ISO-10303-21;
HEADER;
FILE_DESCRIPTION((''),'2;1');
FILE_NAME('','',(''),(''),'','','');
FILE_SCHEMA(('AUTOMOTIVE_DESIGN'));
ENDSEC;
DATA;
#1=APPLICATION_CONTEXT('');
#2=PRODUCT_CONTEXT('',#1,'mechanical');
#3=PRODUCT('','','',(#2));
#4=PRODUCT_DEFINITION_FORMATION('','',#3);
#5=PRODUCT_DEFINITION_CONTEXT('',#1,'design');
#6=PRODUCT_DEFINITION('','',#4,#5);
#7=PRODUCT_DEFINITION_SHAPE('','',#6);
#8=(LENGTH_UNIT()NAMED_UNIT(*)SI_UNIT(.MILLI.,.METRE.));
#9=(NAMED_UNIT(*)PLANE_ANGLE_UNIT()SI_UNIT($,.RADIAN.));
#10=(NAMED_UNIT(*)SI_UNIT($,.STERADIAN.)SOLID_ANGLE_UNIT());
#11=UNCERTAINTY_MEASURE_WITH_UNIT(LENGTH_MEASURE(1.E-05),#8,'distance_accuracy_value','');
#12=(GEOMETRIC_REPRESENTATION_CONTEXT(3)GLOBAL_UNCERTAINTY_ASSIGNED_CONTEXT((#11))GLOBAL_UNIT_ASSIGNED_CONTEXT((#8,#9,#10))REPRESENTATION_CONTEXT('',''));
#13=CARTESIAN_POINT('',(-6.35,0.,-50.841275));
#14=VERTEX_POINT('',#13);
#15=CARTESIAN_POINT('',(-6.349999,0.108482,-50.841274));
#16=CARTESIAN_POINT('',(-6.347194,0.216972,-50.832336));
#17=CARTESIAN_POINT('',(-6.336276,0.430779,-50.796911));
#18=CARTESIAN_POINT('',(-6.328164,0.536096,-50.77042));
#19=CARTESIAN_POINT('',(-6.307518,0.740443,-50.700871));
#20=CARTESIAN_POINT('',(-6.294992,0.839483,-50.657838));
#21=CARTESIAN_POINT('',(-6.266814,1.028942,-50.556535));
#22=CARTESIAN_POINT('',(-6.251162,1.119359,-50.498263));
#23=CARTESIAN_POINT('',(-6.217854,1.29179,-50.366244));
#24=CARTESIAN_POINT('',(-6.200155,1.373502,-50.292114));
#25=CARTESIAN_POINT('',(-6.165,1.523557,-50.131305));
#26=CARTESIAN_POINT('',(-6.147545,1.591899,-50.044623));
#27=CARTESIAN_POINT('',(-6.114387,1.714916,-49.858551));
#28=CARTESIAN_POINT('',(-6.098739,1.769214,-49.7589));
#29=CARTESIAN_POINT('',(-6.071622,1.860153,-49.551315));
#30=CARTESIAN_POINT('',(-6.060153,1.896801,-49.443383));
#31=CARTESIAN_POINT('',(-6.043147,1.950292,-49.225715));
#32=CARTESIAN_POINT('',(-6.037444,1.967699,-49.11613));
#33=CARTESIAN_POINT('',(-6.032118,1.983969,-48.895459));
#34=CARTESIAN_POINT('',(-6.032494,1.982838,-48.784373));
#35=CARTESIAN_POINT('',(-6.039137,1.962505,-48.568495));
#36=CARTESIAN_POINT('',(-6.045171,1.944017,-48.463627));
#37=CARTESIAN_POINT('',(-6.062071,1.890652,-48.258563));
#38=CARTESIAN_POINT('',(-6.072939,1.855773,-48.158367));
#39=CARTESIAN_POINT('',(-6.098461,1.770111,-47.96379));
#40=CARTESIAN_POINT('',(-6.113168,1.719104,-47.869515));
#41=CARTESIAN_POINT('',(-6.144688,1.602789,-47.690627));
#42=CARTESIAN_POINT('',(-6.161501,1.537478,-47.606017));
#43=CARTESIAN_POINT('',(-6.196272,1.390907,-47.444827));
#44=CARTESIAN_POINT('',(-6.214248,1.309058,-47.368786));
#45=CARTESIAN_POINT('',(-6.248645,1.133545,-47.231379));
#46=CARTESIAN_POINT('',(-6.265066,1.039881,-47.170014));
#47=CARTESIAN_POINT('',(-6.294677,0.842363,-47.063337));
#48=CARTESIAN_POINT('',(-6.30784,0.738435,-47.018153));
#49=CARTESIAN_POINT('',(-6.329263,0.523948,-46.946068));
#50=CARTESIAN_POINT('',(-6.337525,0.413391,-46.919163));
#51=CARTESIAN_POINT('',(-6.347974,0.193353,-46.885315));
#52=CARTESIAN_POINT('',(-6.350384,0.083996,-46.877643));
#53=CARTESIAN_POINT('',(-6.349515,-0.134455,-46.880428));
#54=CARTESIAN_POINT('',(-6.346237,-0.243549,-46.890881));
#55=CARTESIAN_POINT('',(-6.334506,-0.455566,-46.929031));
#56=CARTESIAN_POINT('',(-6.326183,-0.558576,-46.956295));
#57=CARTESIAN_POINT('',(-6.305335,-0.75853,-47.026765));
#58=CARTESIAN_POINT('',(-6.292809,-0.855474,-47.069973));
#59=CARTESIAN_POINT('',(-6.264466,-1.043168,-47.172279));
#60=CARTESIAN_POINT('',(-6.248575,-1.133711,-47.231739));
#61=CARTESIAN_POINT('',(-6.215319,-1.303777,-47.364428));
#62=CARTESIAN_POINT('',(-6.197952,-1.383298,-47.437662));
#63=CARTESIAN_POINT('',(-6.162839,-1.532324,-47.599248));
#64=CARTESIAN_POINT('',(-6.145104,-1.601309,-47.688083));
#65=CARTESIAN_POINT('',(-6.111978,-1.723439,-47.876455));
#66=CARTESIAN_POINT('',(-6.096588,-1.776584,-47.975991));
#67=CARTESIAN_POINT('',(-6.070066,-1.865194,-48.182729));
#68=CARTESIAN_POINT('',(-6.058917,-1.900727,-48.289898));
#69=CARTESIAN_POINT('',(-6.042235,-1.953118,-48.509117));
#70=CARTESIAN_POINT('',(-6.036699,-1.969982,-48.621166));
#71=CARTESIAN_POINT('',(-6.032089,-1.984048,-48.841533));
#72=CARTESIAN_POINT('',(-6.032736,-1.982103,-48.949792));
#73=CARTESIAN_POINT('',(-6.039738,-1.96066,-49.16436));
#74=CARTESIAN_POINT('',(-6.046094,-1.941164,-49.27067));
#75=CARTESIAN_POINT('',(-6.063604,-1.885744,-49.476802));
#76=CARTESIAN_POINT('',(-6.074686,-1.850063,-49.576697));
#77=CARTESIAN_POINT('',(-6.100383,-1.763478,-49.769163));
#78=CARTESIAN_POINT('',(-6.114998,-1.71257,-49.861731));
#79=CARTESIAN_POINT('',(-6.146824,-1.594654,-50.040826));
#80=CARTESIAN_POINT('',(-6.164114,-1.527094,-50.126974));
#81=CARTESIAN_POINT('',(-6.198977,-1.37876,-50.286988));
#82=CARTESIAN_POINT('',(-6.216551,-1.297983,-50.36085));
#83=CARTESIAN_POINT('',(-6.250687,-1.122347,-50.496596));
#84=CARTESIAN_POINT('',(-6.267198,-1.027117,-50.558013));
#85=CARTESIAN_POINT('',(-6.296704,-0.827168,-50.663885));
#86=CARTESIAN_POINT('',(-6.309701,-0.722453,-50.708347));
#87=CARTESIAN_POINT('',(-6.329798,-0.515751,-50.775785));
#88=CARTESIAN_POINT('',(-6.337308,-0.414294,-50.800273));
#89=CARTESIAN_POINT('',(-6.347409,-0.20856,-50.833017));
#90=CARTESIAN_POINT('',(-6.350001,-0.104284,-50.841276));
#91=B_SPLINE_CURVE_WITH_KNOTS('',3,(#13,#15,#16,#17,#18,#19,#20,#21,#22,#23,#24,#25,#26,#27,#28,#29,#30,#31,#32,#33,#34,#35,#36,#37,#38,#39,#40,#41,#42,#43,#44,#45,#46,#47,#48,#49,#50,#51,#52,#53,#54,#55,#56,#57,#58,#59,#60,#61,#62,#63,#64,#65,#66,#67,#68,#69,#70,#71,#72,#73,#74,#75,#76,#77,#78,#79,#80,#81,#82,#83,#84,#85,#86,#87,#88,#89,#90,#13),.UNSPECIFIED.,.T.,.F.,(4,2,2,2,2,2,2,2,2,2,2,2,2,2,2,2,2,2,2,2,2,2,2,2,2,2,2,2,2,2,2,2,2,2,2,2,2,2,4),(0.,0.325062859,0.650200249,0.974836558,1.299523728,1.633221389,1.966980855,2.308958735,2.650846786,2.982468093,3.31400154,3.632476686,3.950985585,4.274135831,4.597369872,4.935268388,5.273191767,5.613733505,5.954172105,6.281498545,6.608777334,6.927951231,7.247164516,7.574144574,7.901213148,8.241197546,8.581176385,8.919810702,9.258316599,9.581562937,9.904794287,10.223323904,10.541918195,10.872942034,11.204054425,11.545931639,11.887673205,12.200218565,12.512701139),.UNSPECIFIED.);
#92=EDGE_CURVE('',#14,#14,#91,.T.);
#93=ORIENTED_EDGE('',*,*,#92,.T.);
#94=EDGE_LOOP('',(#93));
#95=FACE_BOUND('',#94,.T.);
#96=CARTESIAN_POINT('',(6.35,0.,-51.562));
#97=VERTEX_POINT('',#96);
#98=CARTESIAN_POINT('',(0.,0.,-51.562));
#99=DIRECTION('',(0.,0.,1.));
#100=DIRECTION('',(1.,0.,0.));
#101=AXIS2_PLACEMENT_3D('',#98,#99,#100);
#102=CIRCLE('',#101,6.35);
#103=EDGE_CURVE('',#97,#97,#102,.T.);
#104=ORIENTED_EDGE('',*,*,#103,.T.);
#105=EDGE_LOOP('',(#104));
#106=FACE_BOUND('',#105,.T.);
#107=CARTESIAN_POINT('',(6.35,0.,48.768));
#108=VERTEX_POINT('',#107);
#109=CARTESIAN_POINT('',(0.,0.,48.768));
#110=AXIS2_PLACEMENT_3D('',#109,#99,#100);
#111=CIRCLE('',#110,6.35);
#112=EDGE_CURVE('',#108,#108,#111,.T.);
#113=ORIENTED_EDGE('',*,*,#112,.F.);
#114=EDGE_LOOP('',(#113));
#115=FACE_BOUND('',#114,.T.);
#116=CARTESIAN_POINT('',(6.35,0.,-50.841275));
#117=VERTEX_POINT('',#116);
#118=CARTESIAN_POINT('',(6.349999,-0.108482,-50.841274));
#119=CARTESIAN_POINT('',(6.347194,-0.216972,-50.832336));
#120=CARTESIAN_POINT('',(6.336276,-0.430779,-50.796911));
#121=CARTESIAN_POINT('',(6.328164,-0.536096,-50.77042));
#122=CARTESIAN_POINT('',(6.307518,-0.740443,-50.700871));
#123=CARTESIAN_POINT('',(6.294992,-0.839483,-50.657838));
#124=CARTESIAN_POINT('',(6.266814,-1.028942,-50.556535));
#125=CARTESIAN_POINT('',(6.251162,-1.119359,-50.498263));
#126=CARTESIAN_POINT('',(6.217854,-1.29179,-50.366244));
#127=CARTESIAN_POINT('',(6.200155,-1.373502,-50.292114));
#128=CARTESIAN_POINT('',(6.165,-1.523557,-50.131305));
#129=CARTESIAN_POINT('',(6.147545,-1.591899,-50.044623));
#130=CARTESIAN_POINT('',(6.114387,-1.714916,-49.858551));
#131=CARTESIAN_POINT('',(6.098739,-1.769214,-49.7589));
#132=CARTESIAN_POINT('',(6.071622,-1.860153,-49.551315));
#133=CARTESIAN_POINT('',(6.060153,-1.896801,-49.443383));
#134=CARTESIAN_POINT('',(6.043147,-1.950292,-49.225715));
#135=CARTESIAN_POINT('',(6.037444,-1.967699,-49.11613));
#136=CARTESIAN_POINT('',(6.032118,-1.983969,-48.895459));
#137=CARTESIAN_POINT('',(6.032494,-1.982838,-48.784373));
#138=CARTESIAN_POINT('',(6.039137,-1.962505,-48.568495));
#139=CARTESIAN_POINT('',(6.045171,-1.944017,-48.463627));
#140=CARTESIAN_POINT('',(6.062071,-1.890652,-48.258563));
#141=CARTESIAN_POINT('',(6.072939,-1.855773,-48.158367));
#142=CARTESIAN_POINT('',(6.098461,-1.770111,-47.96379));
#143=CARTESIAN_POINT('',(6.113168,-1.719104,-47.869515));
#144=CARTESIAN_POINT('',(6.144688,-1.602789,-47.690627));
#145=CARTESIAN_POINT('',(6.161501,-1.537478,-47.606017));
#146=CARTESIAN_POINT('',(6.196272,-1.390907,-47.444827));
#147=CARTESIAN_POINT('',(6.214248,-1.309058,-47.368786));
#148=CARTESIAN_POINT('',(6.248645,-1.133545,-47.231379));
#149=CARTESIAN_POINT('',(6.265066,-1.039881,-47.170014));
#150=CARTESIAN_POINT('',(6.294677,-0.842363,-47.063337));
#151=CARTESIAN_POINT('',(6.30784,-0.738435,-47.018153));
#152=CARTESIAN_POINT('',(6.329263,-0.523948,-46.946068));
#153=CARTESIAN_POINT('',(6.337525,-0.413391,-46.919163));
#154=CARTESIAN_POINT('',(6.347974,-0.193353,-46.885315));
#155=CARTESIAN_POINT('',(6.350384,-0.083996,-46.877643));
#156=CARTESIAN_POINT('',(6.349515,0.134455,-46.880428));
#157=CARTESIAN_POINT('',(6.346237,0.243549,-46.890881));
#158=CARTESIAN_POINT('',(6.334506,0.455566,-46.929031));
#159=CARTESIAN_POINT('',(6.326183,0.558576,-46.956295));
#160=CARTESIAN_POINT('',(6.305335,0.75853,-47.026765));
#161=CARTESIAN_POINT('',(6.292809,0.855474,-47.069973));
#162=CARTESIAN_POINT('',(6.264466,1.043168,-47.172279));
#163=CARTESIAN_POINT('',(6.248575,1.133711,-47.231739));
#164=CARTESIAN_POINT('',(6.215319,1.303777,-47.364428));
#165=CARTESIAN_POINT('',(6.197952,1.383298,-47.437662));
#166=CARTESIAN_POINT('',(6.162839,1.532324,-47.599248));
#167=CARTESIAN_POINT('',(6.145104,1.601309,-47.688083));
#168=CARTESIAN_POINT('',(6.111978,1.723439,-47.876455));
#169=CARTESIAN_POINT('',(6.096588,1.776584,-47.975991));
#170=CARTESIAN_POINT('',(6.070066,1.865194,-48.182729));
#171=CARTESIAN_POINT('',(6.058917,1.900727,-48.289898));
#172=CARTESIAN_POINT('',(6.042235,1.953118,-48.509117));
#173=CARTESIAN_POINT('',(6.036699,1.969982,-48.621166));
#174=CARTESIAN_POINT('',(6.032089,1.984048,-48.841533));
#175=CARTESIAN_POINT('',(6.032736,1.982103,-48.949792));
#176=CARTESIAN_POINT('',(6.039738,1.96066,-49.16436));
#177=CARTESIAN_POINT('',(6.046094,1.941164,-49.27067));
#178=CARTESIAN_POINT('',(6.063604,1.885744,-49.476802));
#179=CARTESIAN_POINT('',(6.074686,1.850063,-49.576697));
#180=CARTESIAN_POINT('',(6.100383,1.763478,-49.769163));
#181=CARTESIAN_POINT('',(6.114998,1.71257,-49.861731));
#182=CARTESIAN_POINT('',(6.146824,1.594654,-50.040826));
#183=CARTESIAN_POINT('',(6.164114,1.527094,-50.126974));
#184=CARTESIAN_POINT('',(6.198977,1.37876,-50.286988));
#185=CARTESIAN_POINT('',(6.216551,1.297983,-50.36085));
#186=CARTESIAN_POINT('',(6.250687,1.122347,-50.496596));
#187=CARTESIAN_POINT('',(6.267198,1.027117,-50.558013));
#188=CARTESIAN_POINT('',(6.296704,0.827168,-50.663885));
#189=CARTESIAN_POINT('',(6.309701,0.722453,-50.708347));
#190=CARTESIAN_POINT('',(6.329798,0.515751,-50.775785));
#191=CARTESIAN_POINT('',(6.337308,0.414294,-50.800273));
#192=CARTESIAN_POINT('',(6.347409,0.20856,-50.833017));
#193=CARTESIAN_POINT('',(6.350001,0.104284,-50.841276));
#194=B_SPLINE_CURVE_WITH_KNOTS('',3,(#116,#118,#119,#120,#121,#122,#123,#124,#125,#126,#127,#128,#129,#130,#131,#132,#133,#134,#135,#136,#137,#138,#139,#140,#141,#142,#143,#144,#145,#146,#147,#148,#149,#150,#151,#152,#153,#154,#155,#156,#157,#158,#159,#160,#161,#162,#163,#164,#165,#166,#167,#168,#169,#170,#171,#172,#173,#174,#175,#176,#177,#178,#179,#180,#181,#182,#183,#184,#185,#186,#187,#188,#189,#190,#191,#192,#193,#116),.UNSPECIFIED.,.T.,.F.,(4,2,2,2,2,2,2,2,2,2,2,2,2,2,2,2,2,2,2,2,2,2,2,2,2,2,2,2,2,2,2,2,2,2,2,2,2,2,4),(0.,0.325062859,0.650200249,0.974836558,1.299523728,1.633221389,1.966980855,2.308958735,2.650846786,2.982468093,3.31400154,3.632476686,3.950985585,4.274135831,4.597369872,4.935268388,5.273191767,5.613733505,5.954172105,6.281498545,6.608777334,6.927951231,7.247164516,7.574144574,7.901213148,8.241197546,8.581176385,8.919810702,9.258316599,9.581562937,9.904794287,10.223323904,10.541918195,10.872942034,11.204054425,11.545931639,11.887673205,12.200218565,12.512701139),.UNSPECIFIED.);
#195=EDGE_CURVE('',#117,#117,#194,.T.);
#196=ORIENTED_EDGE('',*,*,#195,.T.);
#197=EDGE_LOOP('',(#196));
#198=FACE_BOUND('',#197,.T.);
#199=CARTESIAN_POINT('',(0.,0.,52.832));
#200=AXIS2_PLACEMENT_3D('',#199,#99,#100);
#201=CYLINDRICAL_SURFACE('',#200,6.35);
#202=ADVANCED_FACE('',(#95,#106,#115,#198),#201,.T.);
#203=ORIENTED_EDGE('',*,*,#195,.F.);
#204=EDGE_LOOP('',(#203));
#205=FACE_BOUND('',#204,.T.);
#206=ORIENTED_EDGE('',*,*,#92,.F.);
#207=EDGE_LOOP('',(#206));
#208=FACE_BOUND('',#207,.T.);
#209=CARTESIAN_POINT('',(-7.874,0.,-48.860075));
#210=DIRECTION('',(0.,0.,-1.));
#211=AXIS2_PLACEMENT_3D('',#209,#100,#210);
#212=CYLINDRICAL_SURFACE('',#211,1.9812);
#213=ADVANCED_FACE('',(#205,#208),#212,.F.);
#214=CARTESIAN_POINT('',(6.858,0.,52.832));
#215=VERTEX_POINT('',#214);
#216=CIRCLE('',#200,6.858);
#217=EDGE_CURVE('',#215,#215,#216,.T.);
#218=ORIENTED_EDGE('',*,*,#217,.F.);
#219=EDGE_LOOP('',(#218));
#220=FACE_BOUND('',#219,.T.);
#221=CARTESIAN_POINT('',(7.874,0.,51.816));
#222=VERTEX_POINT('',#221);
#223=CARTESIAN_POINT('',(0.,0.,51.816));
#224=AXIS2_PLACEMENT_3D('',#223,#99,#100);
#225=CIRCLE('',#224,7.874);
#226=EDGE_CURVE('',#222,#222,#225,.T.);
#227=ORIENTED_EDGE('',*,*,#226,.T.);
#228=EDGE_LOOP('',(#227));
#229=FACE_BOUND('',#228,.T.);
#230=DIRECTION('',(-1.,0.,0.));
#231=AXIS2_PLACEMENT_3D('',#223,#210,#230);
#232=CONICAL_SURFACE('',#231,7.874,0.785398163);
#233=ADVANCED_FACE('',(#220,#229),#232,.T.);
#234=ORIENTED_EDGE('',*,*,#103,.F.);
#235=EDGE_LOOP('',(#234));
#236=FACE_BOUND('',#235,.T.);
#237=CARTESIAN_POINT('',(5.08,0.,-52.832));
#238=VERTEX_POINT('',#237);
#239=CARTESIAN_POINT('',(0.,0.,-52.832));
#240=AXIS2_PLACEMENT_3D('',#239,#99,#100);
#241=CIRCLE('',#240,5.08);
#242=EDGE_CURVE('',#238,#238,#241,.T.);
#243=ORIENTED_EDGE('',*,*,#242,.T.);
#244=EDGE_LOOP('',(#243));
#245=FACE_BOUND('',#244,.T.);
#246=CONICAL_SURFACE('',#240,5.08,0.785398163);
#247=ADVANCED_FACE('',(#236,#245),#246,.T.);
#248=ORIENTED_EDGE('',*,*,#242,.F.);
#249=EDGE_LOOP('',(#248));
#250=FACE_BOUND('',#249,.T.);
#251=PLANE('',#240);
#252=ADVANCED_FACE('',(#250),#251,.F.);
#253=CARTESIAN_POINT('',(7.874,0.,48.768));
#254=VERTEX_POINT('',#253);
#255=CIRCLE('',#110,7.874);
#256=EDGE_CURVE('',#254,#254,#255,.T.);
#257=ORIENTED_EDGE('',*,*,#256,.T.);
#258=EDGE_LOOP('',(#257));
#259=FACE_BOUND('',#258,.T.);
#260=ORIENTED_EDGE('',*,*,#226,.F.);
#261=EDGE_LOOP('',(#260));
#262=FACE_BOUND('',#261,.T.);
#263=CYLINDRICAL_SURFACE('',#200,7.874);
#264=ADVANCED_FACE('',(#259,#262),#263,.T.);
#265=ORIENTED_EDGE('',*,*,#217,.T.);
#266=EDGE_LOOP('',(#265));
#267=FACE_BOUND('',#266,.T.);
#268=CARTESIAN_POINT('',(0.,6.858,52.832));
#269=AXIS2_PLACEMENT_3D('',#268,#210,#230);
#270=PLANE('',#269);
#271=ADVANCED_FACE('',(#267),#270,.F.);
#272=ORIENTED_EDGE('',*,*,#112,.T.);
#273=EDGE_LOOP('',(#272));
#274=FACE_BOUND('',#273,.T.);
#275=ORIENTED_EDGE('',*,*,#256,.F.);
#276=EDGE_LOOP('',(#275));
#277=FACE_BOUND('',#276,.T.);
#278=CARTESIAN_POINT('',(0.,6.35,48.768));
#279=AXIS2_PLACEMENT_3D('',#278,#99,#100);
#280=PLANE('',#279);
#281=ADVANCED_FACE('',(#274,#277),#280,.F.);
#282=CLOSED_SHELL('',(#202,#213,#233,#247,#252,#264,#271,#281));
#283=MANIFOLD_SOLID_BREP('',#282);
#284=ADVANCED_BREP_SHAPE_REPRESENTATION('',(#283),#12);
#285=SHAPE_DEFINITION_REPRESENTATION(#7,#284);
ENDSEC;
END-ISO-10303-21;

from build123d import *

# Parameters (mm, degrees)
SKETCH3_R               = 1.9812
CUT_EXTRUDE1_DEPTH      = 8.874
CUT_EXTRUDE1_DEPTH_BACK = 8.874


with BuildPart() as part:
    # Sketch2 → Revolve1 (revolve)
    with BuildSketch(Plane(origin=(0, 0, 0), x_dir=(0, 0, -1), z_dir=(1, 0, 0))):
        Polygon((51.562, 6.35), (-48.768, 6.35), (-48.768, 7.874), (-51.816, 7.874), (-52.832, 6.858), (-52.832, 0), (52.832, 0), (52.832, 5.08), align=None)
    revolve(axis=Axis((0, 0, 52.832), (0, 0, -1)))

    # Sketch3 → Cut-Extrude1 (cut, two sides)
    with BuildSketch(Plane(origin=(0, 0, 0), x_dir=(0, 0, -1), z_dir=(1, 0, 0))) as cut_extrude1_sk:
        with Locations((48.860075, 0)):
            Circle(SKETCH3_R)
    extrude(amount=CUT_EXTRUDE1_DEPTH, mode=Mode.SUBTRACT)
    extrude(cut_extrude1_sk.sketch, amount=-CUT_EXTRUDE1_DEPTH_BACK, mode=Mode.SUBTRACT)


solid = part.part
